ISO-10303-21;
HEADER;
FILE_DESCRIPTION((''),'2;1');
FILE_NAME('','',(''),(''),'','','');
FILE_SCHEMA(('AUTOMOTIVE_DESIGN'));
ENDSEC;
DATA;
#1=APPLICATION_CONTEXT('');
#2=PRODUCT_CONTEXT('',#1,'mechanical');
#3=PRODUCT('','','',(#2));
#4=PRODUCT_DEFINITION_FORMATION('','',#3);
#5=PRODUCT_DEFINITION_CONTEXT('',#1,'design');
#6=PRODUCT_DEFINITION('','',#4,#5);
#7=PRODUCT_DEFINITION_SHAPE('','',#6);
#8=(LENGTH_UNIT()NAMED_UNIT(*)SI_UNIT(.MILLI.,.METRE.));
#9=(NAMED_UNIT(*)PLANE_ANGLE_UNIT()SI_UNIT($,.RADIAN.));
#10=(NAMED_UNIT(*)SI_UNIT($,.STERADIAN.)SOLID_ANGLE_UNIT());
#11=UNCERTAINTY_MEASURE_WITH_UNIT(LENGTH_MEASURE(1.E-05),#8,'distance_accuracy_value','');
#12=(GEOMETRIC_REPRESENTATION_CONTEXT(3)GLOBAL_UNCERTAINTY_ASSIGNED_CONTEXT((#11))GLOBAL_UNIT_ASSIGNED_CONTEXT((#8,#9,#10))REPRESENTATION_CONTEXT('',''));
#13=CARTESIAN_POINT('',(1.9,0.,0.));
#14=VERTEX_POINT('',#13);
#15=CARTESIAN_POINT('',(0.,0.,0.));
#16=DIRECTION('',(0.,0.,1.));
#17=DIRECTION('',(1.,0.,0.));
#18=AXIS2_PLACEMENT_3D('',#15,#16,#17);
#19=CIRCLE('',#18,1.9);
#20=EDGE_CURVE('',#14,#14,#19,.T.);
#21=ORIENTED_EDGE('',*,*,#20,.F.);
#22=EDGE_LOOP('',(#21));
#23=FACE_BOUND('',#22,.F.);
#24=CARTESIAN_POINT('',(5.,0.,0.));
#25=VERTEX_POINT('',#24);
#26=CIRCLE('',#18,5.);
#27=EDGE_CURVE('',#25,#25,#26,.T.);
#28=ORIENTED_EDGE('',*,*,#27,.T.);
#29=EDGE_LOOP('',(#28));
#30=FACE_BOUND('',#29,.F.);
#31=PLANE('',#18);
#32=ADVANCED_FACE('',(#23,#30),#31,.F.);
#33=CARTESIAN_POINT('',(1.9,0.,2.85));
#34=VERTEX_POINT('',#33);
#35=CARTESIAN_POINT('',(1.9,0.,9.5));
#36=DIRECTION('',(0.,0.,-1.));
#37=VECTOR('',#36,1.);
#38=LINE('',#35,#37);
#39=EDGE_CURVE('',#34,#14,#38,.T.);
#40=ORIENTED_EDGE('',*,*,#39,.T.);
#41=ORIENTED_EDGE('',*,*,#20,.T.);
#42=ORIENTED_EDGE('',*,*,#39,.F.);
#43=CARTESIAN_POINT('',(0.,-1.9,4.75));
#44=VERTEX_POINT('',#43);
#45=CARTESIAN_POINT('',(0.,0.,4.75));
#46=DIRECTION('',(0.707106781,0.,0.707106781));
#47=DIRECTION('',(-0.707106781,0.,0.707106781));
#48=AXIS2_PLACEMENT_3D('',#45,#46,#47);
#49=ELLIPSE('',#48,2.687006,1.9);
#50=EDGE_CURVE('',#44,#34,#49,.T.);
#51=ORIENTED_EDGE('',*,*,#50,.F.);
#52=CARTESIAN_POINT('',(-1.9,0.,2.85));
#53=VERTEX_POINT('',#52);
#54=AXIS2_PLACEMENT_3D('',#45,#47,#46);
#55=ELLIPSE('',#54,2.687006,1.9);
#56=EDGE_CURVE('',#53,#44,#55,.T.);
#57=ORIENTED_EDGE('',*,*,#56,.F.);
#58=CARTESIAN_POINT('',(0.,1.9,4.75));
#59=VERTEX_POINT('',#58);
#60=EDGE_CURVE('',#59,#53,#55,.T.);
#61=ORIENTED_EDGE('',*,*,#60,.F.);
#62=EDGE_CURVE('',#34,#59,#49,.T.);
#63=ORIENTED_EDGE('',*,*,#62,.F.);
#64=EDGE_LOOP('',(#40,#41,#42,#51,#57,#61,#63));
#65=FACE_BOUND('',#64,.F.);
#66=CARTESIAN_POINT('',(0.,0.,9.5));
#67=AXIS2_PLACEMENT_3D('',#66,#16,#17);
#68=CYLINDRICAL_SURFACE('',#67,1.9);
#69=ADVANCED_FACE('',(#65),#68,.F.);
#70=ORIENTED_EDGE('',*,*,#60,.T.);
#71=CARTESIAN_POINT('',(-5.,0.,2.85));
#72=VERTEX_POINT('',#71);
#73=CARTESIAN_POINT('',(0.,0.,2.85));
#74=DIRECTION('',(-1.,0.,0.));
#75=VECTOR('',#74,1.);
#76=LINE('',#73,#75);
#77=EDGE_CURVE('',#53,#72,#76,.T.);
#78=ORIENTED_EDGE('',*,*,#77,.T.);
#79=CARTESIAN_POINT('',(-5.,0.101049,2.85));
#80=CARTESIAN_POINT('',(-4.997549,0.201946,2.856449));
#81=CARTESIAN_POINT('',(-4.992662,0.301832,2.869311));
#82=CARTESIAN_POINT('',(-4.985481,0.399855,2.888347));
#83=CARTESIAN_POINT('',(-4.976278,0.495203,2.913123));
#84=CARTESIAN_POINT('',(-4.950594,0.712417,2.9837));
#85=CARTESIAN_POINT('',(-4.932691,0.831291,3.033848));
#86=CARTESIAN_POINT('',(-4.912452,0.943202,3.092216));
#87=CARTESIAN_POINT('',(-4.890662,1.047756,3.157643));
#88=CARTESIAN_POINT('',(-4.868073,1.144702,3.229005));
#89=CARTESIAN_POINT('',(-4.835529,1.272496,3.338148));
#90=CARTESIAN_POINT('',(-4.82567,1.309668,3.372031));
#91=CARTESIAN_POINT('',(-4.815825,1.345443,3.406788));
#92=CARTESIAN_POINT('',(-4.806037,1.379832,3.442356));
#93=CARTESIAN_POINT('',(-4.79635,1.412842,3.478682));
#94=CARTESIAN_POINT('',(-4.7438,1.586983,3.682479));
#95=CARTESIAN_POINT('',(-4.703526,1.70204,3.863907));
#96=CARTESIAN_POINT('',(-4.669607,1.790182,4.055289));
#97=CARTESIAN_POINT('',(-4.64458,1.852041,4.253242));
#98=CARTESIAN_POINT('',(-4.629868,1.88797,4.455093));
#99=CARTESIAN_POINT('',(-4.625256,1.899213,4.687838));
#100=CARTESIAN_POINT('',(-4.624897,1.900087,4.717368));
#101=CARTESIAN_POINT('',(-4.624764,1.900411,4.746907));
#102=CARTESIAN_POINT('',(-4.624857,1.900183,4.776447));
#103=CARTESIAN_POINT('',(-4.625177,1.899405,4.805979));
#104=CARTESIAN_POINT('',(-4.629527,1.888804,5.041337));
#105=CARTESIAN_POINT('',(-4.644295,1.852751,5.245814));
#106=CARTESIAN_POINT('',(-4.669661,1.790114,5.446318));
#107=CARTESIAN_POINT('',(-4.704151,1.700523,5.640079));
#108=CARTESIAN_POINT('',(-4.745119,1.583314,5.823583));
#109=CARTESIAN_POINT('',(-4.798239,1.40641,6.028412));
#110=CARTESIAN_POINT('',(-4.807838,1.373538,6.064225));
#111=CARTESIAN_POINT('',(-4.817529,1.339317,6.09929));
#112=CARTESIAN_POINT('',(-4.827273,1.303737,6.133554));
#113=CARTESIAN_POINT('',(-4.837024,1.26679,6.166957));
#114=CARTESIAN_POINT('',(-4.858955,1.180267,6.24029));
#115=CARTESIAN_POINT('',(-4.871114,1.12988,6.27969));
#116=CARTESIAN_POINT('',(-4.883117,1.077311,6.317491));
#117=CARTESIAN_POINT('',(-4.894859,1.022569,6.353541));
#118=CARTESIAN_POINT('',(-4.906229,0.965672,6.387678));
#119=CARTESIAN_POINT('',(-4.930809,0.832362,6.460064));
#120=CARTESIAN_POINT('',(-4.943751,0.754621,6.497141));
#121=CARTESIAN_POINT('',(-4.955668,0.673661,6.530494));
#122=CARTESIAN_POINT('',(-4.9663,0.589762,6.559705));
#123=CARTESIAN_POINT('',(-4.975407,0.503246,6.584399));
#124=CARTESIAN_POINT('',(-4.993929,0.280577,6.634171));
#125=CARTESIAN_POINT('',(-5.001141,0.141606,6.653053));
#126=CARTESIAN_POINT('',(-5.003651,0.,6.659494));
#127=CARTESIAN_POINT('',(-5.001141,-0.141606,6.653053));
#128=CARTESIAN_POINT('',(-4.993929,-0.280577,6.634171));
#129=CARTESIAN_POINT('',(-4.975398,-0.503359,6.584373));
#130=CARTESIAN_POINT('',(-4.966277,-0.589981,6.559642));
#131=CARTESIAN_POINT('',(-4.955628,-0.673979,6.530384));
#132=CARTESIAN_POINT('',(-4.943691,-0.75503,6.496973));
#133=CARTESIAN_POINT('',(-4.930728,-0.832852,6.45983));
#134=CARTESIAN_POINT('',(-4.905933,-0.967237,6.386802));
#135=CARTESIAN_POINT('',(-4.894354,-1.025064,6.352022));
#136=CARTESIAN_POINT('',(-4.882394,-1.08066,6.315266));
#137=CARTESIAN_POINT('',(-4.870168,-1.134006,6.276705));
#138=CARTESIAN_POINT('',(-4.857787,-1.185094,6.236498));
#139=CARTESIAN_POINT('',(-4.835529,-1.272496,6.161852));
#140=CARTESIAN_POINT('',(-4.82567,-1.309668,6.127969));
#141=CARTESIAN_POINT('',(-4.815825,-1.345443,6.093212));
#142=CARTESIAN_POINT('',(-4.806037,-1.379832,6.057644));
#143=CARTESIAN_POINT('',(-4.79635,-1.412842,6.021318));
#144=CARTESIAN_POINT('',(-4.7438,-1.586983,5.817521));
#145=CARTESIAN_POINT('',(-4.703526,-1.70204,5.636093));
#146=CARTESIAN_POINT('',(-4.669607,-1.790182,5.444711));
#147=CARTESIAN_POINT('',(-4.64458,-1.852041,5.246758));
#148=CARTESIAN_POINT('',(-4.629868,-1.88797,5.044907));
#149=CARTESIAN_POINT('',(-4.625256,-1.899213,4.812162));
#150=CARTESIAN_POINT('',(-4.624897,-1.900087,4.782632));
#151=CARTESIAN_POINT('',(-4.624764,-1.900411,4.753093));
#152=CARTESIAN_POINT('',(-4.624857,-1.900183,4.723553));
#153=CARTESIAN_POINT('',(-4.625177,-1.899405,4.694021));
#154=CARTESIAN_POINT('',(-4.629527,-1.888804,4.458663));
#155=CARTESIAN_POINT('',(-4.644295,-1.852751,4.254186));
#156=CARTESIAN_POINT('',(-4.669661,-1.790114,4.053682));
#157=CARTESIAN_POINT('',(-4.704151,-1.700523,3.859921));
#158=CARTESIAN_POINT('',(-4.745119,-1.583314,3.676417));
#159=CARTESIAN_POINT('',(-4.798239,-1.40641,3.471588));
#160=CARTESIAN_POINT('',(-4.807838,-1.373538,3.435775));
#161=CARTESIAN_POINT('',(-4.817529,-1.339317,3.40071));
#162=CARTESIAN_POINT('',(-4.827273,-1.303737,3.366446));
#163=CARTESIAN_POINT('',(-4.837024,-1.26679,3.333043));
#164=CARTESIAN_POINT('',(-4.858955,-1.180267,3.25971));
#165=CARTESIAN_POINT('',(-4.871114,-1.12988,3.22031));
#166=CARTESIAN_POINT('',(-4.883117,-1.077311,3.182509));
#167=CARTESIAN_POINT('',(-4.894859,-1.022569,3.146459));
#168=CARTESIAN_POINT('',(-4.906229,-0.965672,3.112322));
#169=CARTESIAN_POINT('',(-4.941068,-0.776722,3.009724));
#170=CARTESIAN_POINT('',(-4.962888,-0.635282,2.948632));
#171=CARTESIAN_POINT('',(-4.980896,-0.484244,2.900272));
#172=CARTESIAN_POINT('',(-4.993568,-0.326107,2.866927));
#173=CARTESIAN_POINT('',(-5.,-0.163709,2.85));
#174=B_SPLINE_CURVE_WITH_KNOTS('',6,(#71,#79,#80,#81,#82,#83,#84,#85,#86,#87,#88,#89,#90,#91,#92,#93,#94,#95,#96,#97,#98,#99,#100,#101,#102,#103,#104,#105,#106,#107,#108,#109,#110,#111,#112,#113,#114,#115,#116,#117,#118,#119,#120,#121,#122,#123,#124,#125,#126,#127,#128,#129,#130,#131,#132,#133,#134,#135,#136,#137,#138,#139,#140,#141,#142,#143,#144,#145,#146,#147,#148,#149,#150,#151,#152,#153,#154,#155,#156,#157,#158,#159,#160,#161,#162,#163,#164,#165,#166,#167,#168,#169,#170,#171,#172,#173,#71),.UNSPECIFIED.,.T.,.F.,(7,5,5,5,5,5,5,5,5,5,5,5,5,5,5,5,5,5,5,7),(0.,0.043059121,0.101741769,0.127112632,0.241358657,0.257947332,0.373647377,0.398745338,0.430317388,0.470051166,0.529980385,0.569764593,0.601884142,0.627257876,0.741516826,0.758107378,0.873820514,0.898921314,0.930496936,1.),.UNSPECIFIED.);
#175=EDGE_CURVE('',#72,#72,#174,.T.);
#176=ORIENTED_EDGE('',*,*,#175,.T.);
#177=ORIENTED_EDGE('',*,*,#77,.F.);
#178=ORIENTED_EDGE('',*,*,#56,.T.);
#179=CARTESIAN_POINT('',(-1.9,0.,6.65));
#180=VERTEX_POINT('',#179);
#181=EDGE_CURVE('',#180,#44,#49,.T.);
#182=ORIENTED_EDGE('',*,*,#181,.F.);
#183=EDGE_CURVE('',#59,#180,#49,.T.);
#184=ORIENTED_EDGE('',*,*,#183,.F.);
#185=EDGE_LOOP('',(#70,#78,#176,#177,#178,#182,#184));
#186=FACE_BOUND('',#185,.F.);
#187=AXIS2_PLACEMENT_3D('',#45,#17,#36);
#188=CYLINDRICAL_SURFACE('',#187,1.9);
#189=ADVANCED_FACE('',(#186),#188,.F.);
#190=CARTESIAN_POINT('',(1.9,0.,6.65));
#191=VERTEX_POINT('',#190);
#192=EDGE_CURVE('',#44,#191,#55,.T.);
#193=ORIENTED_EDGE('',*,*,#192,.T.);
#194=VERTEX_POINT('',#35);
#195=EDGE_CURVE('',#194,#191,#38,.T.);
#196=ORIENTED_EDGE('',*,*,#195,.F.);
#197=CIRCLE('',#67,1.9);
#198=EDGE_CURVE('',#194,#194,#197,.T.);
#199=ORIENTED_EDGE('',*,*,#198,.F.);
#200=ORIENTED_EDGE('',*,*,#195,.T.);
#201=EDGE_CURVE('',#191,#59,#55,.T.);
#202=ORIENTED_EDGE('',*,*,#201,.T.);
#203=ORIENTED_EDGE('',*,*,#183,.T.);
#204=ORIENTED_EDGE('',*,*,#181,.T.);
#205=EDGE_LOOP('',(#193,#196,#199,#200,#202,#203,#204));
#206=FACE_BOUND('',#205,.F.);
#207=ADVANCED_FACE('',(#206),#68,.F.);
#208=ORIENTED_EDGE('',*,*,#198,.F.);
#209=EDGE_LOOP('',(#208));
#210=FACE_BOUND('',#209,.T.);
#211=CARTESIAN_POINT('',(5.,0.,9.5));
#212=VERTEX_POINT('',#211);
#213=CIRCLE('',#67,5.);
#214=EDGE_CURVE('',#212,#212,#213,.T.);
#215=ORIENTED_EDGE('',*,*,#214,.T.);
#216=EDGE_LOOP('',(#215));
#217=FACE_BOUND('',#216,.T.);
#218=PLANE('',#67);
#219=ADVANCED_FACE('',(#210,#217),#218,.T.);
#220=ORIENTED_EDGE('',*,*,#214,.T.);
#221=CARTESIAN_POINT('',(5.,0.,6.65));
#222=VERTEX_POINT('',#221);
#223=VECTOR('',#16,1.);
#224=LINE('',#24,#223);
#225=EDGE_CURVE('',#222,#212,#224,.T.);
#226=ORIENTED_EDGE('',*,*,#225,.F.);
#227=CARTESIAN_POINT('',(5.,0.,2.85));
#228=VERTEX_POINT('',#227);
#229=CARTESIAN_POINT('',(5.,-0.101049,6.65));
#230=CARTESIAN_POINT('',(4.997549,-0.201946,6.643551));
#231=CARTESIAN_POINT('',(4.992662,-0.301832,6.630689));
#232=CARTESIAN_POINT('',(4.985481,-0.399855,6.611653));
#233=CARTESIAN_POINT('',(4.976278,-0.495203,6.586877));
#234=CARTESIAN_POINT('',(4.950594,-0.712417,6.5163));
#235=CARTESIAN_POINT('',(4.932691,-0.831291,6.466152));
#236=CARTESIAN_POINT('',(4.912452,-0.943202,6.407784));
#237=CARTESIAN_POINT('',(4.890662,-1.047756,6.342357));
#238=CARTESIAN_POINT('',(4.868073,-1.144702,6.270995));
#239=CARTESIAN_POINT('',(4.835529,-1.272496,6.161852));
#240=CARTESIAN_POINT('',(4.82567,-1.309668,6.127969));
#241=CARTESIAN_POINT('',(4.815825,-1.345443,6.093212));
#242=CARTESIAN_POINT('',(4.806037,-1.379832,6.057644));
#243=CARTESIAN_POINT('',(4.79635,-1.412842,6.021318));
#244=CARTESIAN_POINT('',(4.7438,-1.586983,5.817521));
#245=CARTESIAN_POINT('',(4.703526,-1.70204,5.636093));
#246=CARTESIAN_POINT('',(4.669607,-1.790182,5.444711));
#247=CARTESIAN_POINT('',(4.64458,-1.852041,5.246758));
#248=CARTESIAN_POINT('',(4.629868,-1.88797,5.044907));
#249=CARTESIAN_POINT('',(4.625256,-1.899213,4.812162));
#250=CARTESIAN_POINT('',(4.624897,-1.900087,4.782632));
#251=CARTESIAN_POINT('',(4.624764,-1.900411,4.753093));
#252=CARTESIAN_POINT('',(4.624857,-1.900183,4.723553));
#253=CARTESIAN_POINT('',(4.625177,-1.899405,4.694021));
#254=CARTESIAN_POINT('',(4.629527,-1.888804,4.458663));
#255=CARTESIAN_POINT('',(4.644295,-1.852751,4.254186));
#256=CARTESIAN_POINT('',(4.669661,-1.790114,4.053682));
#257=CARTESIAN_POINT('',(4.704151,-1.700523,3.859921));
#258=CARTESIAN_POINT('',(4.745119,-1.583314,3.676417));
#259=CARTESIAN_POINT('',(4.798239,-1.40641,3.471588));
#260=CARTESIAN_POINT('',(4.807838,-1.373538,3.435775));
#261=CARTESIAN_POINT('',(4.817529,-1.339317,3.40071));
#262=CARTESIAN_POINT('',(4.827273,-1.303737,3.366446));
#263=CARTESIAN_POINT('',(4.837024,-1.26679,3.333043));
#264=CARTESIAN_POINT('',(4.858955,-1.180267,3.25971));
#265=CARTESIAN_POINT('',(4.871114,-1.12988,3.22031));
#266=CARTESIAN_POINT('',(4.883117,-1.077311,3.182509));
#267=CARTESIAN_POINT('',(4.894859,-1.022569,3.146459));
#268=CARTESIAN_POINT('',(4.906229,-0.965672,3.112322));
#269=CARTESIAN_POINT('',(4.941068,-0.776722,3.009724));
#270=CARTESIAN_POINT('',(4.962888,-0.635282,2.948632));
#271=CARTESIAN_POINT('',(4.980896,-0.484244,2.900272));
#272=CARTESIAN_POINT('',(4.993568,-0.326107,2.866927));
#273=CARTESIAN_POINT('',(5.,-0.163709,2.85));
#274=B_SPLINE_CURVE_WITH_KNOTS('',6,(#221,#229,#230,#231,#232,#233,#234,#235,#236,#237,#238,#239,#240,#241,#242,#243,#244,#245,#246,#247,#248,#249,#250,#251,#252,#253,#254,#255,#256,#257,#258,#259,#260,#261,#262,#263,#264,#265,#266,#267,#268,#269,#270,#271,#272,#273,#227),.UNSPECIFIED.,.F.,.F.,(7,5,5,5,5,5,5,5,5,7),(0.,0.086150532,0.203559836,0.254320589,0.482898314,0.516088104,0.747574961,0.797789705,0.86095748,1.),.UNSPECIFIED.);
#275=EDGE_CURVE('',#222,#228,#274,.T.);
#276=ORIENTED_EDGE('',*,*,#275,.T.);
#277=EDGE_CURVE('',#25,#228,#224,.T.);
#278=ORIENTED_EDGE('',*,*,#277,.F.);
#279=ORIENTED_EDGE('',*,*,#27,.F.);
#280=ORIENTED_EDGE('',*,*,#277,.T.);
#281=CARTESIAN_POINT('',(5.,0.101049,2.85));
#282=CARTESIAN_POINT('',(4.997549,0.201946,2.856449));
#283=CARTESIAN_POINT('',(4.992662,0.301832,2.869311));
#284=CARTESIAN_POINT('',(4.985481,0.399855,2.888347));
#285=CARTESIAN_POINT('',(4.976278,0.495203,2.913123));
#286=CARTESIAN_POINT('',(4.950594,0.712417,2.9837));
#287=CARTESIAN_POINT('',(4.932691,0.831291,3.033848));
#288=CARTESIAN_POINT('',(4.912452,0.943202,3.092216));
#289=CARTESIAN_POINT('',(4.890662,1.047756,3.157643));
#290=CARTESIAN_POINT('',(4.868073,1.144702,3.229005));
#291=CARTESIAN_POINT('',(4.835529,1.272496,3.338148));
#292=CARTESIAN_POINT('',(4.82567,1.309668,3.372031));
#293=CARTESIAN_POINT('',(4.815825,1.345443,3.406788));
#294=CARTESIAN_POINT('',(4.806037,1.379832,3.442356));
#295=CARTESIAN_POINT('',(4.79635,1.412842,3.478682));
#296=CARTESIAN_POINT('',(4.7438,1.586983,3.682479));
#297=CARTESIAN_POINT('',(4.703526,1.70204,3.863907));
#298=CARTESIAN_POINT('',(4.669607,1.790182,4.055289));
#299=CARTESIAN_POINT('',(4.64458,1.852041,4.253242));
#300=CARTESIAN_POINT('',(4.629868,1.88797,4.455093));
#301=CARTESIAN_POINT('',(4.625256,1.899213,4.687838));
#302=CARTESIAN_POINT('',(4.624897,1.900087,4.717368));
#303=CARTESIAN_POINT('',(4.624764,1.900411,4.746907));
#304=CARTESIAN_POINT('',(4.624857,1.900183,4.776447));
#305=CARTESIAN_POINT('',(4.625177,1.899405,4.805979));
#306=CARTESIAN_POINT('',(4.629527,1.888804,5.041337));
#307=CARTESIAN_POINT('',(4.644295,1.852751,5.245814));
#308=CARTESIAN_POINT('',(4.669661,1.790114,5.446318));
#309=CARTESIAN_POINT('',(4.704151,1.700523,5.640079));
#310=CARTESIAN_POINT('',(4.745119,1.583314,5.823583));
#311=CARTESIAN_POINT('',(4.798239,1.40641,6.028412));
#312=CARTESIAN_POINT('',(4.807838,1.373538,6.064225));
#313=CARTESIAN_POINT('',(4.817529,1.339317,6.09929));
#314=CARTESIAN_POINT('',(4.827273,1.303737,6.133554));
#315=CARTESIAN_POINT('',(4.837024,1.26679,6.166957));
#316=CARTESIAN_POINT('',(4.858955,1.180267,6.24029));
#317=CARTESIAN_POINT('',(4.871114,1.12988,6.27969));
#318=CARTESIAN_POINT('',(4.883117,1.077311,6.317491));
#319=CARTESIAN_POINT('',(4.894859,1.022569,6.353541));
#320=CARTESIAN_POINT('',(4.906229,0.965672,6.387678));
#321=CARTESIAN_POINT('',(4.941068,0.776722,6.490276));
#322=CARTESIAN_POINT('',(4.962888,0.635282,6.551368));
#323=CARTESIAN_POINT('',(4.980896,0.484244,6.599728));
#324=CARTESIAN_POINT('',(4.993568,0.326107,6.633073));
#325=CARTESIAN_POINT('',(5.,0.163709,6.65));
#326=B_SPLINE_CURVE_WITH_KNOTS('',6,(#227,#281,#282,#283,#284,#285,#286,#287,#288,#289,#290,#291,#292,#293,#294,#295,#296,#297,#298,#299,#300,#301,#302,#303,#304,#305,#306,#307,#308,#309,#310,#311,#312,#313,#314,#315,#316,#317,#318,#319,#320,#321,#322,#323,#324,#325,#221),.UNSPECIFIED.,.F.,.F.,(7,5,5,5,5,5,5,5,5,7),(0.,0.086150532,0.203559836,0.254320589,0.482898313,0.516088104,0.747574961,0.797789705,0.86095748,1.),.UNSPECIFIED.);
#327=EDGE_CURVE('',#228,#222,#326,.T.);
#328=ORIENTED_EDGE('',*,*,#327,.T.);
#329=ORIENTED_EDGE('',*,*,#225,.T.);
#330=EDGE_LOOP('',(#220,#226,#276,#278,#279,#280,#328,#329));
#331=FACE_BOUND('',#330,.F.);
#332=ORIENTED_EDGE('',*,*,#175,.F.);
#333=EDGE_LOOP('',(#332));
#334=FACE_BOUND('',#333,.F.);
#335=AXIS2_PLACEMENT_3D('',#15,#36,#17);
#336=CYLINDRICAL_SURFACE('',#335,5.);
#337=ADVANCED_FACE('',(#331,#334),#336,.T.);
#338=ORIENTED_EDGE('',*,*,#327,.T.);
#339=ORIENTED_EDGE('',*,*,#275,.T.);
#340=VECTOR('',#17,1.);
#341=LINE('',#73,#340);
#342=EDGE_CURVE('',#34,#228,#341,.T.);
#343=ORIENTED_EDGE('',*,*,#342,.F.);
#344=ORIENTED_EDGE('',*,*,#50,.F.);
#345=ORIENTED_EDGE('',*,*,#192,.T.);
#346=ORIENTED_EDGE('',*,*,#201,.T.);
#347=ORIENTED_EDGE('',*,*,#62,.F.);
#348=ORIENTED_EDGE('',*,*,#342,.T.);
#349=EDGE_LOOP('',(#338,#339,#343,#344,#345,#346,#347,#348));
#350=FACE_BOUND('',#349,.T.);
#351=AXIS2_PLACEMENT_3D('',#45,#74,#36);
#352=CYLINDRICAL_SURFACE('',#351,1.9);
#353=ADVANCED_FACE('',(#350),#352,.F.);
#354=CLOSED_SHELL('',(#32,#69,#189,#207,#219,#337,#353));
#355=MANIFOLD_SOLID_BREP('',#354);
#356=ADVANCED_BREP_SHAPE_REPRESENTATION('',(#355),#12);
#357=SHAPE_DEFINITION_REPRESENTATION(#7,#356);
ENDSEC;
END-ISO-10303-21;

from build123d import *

# Parameters (mm, degrees)
SKETCH1_R               = 5
BOSS_EXTRUDE1_DEPTH     = 9.5
SKETCH2_R               = 1.9
CUT_EXTRUDE1_DEPTH      = 1
CUT_EXTRUDE1_DEPTH_BACK = 10.5
SKETCH3_R               = 1.9
CUT_EXTRUDE2_DEPTH      = 6
CUT_EXTRUDE2_DEPTH_BACK = 6


with BuildPart() as part:
    # Sketch1 → Boss-Extrude1 (new body)
    with BuildSketch(Plane.XY):
        Circle(SKETCH1_R)
    extrude(amount=BOSS_EXTRUDE1_DEPTH)

    # Sketch2 → Cut-Extrude1 (cut, two sides)
    with BuildSketch(Plane.XY.offset(9.5)) as cut_extrude1_sk:
        Circle(SKETCH2_R)
    extrude(amount=CUT_EXTRUDE1_DEPTH, mode=Mode.SUBTRACT)
    extrude(cut_extrude1_sk.sketch, amount=-CUT_EXTRUDE1_DEPTH_BACK, mode=Mode.SUBTRACT)

    # Sketch3 → Cut-Extrude2 (cut, two sides)
    with BuildSketch(Plane(origin=(0, 0, 0), x_dir=(0, 0, -1), z_dir=(1, 0, 0))) as cut_extrude2_sk:
        with Locations((-4.75, 0)):
            Circle(SKETCH3_R)
    extrude(amount=CUT_EXTRUDE2_DEPTH, mode=Mode.SUBTRACT)
    extrude(cut_extrude2_sk.sketch, amount=-CUT_EXTRUDE2_DEPTH_BACK, mode=Mode.SUBTRACT)


solid = part.part
